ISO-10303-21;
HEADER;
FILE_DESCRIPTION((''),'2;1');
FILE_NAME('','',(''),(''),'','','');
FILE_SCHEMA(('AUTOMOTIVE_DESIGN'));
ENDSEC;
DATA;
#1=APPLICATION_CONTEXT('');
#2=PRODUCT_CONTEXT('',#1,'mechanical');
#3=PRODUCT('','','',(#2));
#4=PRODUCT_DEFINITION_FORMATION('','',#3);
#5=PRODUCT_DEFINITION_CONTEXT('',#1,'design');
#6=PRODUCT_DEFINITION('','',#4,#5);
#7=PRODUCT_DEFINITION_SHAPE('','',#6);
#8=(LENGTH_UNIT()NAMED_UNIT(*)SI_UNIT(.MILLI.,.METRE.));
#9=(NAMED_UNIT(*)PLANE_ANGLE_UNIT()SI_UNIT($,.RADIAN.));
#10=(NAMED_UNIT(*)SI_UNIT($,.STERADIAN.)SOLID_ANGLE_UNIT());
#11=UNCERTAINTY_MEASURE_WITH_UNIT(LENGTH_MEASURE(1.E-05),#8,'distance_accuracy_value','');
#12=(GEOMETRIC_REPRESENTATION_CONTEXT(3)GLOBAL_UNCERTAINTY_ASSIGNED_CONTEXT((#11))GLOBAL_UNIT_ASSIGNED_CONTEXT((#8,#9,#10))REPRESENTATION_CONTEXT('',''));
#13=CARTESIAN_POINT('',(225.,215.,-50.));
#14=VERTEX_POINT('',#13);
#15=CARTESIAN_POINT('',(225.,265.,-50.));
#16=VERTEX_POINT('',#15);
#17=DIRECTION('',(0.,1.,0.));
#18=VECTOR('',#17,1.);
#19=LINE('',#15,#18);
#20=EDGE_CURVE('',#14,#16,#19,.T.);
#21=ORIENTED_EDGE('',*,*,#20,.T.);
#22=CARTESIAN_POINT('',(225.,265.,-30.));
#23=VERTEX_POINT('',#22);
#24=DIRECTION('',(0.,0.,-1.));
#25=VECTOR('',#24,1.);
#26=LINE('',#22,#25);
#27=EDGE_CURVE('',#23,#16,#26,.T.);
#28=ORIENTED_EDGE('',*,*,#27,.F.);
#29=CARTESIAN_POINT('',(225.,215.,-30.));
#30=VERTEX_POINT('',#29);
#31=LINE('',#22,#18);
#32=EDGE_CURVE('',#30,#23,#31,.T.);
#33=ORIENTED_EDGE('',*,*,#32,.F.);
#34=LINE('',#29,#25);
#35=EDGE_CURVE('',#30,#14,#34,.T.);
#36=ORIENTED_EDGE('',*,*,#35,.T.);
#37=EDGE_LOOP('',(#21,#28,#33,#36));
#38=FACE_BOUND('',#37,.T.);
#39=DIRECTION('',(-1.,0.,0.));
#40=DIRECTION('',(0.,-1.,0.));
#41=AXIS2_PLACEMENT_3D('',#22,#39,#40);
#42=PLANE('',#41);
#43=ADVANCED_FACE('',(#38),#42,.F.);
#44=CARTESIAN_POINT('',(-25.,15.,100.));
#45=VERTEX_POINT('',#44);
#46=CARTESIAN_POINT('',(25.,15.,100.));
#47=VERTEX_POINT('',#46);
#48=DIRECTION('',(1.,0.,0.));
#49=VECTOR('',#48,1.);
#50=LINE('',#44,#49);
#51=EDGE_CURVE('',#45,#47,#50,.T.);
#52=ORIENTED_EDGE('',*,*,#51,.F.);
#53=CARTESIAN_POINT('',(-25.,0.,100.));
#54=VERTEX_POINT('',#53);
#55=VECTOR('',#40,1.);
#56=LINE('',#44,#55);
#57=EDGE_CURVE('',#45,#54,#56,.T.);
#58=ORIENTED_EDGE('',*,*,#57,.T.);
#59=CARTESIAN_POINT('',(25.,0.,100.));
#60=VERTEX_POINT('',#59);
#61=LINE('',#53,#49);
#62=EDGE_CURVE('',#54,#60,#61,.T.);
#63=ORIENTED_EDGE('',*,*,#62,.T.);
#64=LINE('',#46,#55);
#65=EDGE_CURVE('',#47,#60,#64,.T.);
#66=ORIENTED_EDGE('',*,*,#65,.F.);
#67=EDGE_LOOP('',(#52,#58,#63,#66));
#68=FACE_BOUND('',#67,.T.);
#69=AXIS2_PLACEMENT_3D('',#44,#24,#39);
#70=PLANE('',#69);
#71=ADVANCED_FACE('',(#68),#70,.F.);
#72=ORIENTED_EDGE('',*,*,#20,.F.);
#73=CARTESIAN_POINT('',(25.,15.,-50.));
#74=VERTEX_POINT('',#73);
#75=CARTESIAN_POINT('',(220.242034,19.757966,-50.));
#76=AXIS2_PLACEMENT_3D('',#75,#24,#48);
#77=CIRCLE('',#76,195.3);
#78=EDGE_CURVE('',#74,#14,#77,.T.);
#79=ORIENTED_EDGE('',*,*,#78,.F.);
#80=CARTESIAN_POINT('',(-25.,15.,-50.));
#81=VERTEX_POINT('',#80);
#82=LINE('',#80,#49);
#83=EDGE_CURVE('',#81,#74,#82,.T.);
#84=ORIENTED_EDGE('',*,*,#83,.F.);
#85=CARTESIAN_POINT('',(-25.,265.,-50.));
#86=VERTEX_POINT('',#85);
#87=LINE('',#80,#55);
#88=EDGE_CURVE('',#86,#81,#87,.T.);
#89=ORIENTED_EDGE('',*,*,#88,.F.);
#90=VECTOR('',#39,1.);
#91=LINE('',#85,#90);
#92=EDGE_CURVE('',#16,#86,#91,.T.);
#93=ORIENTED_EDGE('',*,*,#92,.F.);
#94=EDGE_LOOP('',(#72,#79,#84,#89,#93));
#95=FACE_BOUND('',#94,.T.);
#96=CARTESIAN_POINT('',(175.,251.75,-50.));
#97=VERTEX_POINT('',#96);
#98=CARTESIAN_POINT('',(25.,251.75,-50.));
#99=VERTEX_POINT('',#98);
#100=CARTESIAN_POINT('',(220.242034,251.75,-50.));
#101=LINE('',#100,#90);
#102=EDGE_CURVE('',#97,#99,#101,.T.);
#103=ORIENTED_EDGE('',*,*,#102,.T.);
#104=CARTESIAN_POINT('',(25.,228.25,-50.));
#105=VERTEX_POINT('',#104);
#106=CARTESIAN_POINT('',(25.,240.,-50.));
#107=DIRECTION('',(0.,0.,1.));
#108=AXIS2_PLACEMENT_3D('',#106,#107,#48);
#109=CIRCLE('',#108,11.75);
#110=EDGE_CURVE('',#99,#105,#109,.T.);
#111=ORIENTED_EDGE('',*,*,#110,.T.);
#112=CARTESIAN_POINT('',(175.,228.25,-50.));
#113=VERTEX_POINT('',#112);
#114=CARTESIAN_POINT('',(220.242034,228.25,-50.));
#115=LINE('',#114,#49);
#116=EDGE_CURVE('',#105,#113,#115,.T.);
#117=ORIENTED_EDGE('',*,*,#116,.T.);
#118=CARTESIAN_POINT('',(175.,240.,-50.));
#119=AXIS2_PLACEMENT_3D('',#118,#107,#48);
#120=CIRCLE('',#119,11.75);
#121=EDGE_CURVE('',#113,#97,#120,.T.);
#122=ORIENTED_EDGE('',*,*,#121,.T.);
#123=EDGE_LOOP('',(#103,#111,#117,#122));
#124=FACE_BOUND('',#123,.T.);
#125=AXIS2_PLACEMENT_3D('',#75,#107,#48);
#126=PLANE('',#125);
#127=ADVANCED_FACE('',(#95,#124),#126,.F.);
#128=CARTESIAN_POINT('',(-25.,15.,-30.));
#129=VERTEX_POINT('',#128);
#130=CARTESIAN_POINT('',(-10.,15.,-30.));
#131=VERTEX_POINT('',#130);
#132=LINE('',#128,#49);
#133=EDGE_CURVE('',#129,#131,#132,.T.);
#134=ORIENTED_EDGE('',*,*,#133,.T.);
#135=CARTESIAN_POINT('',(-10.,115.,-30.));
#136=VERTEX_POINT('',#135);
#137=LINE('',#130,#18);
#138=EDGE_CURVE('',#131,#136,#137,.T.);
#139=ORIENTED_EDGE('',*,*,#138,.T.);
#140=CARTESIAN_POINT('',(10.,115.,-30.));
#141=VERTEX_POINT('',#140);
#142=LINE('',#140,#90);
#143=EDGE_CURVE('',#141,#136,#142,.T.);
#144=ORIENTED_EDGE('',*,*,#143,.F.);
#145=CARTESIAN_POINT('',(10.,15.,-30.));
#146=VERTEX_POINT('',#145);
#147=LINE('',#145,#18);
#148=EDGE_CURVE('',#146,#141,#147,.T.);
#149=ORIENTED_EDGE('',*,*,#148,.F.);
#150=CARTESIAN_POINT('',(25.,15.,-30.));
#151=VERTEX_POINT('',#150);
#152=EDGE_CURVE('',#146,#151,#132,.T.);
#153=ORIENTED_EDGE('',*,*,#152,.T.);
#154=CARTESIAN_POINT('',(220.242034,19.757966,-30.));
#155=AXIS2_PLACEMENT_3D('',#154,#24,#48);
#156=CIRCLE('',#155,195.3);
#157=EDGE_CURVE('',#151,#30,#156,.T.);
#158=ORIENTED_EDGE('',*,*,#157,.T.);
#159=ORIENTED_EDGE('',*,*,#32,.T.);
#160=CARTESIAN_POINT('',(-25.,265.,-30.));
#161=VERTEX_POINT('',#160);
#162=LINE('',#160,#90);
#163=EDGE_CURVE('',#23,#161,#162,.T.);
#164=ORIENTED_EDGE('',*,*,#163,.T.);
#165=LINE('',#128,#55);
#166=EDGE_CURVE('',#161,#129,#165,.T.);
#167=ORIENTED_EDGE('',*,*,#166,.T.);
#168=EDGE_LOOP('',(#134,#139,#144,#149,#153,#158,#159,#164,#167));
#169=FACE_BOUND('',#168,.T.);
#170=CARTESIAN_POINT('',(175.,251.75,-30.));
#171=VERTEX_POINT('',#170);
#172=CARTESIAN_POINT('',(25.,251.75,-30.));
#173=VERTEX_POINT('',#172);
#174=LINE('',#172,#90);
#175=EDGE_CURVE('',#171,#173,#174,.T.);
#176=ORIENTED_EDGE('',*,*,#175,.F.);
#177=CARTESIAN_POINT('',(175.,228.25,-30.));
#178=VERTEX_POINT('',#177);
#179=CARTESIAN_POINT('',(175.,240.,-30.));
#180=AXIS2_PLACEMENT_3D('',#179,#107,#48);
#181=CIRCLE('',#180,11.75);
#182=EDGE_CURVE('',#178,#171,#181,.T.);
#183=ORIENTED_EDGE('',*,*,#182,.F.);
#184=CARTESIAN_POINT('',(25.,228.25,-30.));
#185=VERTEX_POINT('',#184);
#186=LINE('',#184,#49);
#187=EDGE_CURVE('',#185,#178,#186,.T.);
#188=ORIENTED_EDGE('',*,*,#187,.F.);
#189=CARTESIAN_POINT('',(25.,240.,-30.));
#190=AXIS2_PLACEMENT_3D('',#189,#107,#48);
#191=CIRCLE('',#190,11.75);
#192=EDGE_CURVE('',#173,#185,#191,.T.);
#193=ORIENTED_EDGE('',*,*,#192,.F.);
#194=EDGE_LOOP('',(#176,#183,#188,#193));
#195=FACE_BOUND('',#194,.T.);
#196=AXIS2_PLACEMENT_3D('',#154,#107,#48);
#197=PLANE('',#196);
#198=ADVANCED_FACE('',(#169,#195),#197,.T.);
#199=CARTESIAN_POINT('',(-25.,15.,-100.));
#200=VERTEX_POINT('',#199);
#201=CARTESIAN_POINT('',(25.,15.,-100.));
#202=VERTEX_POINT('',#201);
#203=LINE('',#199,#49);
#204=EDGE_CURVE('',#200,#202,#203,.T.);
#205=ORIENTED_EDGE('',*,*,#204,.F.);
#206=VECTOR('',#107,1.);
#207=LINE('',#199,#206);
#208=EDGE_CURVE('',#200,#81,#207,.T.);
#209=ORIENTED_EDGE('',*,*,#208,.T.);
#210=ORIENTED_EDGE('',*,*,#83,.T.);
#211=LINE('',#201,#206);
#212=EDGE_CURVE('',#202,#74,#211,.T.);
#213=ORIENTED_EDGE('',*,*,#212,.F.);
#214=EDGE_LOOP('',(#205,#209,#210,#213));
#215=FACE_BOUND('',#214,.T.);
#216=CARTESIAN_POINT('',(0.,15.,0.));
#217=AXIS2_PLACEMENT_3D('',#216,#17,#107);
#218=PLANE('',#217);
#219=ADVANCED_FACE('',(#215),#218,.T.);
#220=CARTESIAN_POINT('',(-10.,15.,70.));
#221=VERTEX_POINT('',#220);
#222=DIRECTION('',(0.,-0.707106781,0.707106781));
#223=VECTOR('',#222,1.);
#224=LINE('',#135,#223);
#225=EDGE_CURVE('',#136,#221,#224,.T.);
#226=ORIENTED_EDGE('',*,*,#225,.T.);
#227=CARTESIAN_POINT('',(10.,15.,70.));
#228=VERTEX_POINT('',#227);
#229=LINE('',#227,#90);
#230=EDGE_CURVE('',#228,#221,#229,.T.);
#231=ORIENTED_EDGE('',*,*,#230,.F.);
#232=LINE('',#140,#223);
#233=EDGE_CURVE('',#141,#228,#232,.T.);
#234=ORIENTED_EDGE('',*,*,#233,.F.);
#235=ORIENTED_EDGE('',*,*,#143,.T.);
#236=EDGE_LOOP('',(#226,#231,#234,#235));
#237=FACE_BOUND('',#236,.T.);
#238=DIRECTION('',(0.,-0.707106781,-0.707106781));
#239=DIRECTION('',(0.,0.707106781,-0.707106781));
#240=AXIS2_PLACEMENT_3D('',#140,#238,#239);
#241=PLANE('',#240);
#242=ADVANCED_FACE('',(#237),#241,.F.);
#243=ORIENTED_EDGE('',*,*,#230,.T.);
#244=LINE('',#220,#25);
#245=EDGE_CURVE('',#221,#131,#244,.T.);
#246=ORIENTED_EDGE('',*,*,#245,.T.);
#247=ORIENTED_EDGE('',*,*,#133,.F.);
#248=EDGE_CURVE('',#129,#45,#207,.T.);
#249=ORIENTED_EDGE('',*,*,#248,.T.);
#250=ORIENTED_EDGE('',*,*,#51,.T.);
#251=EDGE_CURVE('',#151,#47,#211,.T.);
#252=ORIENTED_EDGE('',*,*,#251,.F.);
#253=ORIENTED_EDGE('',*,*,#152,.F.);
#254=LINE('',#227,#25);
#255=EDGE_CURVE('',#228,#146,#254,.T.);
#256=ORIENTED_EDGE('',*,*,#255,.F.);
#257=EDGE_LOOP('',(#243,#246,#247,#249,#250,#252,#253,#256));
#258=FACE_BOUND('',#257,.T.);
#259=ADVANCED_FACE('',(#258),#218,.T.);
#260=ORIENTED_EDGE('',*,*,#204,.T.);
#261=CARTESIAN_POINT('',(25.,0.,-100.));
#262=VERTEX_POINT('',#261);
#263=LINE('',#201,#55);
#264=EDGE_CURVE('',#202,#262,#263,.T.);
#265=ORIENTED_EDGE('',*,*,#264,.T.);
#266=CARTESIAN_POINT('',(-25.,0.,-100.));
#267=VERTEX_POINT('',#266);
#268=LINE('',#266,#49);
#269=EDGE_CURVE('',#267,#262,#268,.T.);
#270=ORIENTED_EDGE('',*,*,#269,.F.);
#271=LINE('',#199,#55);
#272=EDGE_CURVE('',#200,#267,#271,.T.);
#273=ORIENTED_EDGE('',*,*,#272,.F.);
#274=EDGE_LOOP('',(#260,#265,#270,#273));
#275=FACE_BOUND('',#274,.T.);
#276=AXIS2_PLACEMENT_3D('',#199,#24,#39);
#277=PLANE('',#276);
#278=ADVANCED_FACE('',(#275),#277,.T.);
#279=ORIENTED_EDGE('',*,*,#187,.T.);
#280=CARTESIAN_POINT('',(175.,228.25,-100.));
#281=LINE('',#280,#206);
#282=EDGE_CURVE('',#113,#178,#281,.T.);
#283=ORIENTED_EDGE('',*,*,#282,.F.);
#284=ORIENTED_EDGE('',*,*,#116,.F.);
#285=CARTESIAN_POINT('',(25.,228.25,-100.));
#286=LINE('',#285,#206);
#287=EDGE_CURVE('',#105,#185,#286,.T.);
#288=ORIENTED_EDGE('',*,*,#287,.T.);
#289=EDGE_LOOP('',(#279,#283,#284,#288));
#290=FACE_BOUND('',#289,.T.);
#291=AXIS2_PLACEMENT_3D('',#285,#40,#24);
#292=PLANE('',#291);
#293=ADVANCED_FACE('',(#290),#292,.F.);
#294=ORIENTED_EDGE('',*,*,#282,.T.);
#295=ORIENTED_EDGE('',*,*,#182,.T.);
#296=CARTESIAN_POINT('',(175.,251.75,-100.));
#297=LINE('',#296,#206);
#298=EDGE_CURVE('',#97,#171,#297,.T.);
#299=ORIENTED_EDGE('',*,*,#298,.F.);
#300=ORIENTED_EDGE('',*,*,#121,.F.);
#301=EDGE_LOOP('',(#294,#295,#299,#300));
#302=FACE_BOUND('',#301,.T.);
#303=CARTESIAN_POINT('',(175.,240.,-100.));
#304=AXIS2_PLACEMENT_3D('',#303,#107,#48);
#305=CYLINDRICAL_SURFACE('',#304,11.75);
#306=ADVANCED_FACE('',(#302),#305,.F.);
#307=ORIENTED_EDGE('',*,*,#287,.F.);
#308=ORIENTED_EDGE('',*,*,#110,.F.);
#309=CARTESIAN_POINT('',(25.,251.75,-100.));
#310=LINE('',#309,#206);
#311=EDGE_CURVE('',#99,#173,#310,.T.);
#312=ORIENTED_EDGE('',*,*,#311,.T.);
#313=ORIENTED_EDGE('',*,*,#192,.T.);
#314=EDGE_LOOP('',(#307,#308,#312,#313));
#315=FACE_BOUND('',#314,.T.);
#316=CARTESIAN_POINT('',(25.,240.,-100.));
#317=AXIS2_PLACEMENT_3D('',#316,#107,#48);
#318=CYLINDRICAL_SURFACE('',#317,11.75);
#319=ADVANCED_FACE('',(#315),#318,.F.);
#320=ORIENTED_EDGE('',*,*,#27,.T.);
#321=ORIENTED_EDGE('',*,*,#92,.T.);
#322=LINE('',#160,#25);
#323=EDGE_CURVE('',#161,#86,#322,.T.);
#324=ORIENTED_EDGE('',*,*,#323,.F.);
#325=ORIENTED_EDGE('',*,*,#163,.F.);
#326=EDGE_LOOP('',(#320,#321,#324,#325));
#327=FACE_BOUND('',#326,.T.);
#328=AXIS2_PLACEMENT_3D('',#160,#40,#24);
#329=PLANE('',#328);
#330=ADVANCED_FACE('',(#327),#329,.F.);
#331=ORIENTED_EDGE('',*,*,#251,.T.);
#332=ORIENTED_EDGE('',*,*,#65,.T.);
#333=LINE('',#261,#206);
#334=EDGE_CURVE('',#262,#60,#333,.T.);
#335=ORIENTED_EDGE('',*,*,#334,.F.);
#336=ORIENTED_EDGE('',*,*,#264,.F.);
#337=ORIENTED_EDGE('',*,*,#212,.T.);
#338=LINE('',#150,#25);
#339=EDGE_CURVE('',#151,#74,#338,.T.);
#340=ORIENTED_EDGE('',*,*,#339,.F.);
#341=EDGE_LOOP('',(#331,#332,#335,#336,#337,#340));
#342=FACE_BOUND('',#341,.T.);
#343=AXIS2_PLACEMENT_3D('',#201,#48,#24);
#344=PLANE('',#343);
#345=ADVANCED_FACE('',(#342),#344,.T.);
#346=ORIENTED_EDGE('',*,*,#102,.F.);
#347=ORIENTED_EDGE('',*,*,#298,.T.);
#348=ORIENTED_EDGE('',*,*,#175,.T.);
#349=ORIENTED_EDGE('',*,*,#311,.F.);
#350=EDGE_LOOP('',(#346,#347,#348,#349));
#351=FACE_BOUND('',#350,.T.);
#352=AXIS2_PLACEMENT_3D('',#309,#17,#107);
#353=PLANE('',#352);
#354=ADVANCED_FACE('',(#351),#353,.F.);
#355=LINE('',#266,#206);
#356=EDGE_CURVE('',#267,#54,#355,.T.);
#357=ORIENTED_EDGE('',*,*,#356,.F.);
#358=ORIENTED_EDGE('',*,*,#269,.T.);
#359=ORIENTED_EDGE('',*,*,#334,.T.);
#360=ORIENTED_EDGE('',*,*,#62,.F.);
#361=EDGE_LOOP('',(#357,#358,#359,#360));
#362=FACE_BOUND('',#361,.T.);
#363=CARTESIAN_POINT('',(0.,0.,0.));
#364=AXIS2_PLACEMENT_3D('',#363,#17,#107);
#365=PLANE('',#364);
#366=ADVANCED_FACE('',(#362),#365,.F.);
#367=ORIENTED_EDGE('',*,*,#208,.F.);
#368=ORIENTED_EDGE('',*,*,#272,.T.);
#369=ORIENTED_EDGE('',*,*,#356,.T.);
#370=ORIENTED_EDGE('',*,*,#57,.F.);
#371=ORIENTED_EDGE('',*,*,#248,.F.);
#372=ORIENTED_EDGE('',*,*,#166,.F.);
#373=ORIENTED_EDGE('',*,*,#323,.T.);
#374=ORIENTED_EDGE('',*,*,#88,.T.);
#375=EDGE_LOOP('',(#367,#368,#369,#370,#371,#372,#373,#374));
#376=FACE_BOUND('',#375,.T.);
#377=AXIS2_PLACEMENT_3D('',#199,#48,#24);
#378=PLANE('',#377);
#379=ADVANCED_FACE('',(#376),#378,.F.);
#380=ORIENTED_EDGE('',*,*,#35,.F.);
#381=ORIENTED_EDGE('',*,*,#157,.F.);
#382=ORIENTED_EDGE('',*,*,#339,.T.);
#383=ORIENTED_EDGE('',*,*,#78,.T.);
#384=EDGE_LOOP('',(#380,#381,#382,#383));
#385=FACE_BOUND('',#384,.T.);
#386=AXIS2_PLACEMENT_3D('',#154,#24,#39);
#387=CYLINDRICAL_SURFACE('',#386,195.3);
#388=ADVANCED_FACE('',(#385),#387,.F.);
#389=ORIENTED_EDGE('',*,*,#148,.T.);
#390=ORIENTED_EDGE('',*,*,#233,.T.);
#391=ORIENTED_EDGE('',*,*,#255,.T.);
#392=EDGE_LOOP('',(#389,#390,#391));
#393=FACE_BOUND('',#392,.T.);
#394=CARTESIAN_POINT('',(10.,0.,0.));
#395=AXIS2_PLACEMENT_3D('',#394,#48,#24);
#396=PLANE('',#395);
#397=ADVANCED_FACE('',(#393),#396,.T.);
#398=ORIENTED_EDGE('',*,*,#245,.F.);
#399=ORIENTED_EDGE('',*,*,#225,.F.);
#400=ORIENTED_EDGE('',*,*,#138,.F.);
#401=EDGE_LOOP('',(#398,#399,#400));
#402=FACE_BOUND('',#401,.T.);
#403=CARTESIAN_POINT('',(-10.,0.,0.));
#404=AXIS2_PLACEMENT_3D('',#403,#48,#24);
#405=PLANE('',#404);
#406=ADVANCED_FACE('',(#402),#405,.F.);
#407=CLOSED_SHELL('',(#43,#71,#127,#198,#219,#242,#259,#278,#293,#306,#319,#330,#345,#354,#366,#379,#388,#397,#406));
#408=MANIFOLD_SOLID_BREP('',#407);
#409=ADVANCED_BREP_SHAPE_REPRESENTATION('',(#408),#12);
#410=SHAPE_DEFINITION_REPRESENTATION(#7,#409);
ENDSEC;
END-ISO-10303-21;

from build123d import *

# Parameters (mm, degrees)
SKETCH1_W           = 50
SKETCH1_H           = 200
BOSS_EXTRUDE1_DEPTH = 15
BOSS_EXTRUDE2_DEPTH = 20
BOSS_EXTRUDE3_DEPTH = 10
CUT_EXTRUDE1_DEPTH  = 71


with BuildPart() as part:
    # Sketch1 → Boss-Extrude1 (new body)
    with BuildSketch(Plane(origin=(0, 0, 0), x_dir=(1, 0, 0), z_dir=(0, 1, 0))):
        Rectangle(SKETCH1_W, SKETCH1_H)
    extrude(amount=BOSS_EXTRUDE1_DEPTH)

    # Sketch2 → Boss-Extrude2 (add)
    with BuildSketch(Plane.XY.offset(-50)):
        with BuildLine():
            Line((-25, 15), (-25, 265))
            Line((-25, 265), (225, 265))
            Line((225, 265), (225, 215))
            ThreePointArc((225, 215), (82.144079422, 157.855920578), (25, 15))
            Line((25, 15), (-25, 15))
        make_face()
    extrude(amount=BOSS_EXTRUDE2_DEPTH)

    # Sketch3 → Boss-Extrude3 (add, symmetric)
    with BuildSketch(Plane(origin=(0, 0, 0), x_dir=(0, 0, -1), z_dir=(1, 0, 0))):
        Polygon((-70, 15), (30, 15), (30, 115), align=None)
    extrude(amount=BOSS_EXTRUDE3_DEPTH, both=True)

    # Sketch4 → Cut-Extrude1 (cut, through all)
    with BuildSketch(Plane.XY.offset(-30)):
        with BuildLine():
            Line((25, 228.25), (175, 228.25))
            ThreePointArc((175, 228.25), (186.75, 240), (175, 251.75))
            Line((175, 251.75), (25, 251.75))
            ThreePointArc((25, 251.75), (13.25, 240), (25, 228.25))
        make_face()
    extrude(amount=-CUT_EXTRUDE1_DEPTH, mode=Mode.SUBTRACT)


solid = part.part
